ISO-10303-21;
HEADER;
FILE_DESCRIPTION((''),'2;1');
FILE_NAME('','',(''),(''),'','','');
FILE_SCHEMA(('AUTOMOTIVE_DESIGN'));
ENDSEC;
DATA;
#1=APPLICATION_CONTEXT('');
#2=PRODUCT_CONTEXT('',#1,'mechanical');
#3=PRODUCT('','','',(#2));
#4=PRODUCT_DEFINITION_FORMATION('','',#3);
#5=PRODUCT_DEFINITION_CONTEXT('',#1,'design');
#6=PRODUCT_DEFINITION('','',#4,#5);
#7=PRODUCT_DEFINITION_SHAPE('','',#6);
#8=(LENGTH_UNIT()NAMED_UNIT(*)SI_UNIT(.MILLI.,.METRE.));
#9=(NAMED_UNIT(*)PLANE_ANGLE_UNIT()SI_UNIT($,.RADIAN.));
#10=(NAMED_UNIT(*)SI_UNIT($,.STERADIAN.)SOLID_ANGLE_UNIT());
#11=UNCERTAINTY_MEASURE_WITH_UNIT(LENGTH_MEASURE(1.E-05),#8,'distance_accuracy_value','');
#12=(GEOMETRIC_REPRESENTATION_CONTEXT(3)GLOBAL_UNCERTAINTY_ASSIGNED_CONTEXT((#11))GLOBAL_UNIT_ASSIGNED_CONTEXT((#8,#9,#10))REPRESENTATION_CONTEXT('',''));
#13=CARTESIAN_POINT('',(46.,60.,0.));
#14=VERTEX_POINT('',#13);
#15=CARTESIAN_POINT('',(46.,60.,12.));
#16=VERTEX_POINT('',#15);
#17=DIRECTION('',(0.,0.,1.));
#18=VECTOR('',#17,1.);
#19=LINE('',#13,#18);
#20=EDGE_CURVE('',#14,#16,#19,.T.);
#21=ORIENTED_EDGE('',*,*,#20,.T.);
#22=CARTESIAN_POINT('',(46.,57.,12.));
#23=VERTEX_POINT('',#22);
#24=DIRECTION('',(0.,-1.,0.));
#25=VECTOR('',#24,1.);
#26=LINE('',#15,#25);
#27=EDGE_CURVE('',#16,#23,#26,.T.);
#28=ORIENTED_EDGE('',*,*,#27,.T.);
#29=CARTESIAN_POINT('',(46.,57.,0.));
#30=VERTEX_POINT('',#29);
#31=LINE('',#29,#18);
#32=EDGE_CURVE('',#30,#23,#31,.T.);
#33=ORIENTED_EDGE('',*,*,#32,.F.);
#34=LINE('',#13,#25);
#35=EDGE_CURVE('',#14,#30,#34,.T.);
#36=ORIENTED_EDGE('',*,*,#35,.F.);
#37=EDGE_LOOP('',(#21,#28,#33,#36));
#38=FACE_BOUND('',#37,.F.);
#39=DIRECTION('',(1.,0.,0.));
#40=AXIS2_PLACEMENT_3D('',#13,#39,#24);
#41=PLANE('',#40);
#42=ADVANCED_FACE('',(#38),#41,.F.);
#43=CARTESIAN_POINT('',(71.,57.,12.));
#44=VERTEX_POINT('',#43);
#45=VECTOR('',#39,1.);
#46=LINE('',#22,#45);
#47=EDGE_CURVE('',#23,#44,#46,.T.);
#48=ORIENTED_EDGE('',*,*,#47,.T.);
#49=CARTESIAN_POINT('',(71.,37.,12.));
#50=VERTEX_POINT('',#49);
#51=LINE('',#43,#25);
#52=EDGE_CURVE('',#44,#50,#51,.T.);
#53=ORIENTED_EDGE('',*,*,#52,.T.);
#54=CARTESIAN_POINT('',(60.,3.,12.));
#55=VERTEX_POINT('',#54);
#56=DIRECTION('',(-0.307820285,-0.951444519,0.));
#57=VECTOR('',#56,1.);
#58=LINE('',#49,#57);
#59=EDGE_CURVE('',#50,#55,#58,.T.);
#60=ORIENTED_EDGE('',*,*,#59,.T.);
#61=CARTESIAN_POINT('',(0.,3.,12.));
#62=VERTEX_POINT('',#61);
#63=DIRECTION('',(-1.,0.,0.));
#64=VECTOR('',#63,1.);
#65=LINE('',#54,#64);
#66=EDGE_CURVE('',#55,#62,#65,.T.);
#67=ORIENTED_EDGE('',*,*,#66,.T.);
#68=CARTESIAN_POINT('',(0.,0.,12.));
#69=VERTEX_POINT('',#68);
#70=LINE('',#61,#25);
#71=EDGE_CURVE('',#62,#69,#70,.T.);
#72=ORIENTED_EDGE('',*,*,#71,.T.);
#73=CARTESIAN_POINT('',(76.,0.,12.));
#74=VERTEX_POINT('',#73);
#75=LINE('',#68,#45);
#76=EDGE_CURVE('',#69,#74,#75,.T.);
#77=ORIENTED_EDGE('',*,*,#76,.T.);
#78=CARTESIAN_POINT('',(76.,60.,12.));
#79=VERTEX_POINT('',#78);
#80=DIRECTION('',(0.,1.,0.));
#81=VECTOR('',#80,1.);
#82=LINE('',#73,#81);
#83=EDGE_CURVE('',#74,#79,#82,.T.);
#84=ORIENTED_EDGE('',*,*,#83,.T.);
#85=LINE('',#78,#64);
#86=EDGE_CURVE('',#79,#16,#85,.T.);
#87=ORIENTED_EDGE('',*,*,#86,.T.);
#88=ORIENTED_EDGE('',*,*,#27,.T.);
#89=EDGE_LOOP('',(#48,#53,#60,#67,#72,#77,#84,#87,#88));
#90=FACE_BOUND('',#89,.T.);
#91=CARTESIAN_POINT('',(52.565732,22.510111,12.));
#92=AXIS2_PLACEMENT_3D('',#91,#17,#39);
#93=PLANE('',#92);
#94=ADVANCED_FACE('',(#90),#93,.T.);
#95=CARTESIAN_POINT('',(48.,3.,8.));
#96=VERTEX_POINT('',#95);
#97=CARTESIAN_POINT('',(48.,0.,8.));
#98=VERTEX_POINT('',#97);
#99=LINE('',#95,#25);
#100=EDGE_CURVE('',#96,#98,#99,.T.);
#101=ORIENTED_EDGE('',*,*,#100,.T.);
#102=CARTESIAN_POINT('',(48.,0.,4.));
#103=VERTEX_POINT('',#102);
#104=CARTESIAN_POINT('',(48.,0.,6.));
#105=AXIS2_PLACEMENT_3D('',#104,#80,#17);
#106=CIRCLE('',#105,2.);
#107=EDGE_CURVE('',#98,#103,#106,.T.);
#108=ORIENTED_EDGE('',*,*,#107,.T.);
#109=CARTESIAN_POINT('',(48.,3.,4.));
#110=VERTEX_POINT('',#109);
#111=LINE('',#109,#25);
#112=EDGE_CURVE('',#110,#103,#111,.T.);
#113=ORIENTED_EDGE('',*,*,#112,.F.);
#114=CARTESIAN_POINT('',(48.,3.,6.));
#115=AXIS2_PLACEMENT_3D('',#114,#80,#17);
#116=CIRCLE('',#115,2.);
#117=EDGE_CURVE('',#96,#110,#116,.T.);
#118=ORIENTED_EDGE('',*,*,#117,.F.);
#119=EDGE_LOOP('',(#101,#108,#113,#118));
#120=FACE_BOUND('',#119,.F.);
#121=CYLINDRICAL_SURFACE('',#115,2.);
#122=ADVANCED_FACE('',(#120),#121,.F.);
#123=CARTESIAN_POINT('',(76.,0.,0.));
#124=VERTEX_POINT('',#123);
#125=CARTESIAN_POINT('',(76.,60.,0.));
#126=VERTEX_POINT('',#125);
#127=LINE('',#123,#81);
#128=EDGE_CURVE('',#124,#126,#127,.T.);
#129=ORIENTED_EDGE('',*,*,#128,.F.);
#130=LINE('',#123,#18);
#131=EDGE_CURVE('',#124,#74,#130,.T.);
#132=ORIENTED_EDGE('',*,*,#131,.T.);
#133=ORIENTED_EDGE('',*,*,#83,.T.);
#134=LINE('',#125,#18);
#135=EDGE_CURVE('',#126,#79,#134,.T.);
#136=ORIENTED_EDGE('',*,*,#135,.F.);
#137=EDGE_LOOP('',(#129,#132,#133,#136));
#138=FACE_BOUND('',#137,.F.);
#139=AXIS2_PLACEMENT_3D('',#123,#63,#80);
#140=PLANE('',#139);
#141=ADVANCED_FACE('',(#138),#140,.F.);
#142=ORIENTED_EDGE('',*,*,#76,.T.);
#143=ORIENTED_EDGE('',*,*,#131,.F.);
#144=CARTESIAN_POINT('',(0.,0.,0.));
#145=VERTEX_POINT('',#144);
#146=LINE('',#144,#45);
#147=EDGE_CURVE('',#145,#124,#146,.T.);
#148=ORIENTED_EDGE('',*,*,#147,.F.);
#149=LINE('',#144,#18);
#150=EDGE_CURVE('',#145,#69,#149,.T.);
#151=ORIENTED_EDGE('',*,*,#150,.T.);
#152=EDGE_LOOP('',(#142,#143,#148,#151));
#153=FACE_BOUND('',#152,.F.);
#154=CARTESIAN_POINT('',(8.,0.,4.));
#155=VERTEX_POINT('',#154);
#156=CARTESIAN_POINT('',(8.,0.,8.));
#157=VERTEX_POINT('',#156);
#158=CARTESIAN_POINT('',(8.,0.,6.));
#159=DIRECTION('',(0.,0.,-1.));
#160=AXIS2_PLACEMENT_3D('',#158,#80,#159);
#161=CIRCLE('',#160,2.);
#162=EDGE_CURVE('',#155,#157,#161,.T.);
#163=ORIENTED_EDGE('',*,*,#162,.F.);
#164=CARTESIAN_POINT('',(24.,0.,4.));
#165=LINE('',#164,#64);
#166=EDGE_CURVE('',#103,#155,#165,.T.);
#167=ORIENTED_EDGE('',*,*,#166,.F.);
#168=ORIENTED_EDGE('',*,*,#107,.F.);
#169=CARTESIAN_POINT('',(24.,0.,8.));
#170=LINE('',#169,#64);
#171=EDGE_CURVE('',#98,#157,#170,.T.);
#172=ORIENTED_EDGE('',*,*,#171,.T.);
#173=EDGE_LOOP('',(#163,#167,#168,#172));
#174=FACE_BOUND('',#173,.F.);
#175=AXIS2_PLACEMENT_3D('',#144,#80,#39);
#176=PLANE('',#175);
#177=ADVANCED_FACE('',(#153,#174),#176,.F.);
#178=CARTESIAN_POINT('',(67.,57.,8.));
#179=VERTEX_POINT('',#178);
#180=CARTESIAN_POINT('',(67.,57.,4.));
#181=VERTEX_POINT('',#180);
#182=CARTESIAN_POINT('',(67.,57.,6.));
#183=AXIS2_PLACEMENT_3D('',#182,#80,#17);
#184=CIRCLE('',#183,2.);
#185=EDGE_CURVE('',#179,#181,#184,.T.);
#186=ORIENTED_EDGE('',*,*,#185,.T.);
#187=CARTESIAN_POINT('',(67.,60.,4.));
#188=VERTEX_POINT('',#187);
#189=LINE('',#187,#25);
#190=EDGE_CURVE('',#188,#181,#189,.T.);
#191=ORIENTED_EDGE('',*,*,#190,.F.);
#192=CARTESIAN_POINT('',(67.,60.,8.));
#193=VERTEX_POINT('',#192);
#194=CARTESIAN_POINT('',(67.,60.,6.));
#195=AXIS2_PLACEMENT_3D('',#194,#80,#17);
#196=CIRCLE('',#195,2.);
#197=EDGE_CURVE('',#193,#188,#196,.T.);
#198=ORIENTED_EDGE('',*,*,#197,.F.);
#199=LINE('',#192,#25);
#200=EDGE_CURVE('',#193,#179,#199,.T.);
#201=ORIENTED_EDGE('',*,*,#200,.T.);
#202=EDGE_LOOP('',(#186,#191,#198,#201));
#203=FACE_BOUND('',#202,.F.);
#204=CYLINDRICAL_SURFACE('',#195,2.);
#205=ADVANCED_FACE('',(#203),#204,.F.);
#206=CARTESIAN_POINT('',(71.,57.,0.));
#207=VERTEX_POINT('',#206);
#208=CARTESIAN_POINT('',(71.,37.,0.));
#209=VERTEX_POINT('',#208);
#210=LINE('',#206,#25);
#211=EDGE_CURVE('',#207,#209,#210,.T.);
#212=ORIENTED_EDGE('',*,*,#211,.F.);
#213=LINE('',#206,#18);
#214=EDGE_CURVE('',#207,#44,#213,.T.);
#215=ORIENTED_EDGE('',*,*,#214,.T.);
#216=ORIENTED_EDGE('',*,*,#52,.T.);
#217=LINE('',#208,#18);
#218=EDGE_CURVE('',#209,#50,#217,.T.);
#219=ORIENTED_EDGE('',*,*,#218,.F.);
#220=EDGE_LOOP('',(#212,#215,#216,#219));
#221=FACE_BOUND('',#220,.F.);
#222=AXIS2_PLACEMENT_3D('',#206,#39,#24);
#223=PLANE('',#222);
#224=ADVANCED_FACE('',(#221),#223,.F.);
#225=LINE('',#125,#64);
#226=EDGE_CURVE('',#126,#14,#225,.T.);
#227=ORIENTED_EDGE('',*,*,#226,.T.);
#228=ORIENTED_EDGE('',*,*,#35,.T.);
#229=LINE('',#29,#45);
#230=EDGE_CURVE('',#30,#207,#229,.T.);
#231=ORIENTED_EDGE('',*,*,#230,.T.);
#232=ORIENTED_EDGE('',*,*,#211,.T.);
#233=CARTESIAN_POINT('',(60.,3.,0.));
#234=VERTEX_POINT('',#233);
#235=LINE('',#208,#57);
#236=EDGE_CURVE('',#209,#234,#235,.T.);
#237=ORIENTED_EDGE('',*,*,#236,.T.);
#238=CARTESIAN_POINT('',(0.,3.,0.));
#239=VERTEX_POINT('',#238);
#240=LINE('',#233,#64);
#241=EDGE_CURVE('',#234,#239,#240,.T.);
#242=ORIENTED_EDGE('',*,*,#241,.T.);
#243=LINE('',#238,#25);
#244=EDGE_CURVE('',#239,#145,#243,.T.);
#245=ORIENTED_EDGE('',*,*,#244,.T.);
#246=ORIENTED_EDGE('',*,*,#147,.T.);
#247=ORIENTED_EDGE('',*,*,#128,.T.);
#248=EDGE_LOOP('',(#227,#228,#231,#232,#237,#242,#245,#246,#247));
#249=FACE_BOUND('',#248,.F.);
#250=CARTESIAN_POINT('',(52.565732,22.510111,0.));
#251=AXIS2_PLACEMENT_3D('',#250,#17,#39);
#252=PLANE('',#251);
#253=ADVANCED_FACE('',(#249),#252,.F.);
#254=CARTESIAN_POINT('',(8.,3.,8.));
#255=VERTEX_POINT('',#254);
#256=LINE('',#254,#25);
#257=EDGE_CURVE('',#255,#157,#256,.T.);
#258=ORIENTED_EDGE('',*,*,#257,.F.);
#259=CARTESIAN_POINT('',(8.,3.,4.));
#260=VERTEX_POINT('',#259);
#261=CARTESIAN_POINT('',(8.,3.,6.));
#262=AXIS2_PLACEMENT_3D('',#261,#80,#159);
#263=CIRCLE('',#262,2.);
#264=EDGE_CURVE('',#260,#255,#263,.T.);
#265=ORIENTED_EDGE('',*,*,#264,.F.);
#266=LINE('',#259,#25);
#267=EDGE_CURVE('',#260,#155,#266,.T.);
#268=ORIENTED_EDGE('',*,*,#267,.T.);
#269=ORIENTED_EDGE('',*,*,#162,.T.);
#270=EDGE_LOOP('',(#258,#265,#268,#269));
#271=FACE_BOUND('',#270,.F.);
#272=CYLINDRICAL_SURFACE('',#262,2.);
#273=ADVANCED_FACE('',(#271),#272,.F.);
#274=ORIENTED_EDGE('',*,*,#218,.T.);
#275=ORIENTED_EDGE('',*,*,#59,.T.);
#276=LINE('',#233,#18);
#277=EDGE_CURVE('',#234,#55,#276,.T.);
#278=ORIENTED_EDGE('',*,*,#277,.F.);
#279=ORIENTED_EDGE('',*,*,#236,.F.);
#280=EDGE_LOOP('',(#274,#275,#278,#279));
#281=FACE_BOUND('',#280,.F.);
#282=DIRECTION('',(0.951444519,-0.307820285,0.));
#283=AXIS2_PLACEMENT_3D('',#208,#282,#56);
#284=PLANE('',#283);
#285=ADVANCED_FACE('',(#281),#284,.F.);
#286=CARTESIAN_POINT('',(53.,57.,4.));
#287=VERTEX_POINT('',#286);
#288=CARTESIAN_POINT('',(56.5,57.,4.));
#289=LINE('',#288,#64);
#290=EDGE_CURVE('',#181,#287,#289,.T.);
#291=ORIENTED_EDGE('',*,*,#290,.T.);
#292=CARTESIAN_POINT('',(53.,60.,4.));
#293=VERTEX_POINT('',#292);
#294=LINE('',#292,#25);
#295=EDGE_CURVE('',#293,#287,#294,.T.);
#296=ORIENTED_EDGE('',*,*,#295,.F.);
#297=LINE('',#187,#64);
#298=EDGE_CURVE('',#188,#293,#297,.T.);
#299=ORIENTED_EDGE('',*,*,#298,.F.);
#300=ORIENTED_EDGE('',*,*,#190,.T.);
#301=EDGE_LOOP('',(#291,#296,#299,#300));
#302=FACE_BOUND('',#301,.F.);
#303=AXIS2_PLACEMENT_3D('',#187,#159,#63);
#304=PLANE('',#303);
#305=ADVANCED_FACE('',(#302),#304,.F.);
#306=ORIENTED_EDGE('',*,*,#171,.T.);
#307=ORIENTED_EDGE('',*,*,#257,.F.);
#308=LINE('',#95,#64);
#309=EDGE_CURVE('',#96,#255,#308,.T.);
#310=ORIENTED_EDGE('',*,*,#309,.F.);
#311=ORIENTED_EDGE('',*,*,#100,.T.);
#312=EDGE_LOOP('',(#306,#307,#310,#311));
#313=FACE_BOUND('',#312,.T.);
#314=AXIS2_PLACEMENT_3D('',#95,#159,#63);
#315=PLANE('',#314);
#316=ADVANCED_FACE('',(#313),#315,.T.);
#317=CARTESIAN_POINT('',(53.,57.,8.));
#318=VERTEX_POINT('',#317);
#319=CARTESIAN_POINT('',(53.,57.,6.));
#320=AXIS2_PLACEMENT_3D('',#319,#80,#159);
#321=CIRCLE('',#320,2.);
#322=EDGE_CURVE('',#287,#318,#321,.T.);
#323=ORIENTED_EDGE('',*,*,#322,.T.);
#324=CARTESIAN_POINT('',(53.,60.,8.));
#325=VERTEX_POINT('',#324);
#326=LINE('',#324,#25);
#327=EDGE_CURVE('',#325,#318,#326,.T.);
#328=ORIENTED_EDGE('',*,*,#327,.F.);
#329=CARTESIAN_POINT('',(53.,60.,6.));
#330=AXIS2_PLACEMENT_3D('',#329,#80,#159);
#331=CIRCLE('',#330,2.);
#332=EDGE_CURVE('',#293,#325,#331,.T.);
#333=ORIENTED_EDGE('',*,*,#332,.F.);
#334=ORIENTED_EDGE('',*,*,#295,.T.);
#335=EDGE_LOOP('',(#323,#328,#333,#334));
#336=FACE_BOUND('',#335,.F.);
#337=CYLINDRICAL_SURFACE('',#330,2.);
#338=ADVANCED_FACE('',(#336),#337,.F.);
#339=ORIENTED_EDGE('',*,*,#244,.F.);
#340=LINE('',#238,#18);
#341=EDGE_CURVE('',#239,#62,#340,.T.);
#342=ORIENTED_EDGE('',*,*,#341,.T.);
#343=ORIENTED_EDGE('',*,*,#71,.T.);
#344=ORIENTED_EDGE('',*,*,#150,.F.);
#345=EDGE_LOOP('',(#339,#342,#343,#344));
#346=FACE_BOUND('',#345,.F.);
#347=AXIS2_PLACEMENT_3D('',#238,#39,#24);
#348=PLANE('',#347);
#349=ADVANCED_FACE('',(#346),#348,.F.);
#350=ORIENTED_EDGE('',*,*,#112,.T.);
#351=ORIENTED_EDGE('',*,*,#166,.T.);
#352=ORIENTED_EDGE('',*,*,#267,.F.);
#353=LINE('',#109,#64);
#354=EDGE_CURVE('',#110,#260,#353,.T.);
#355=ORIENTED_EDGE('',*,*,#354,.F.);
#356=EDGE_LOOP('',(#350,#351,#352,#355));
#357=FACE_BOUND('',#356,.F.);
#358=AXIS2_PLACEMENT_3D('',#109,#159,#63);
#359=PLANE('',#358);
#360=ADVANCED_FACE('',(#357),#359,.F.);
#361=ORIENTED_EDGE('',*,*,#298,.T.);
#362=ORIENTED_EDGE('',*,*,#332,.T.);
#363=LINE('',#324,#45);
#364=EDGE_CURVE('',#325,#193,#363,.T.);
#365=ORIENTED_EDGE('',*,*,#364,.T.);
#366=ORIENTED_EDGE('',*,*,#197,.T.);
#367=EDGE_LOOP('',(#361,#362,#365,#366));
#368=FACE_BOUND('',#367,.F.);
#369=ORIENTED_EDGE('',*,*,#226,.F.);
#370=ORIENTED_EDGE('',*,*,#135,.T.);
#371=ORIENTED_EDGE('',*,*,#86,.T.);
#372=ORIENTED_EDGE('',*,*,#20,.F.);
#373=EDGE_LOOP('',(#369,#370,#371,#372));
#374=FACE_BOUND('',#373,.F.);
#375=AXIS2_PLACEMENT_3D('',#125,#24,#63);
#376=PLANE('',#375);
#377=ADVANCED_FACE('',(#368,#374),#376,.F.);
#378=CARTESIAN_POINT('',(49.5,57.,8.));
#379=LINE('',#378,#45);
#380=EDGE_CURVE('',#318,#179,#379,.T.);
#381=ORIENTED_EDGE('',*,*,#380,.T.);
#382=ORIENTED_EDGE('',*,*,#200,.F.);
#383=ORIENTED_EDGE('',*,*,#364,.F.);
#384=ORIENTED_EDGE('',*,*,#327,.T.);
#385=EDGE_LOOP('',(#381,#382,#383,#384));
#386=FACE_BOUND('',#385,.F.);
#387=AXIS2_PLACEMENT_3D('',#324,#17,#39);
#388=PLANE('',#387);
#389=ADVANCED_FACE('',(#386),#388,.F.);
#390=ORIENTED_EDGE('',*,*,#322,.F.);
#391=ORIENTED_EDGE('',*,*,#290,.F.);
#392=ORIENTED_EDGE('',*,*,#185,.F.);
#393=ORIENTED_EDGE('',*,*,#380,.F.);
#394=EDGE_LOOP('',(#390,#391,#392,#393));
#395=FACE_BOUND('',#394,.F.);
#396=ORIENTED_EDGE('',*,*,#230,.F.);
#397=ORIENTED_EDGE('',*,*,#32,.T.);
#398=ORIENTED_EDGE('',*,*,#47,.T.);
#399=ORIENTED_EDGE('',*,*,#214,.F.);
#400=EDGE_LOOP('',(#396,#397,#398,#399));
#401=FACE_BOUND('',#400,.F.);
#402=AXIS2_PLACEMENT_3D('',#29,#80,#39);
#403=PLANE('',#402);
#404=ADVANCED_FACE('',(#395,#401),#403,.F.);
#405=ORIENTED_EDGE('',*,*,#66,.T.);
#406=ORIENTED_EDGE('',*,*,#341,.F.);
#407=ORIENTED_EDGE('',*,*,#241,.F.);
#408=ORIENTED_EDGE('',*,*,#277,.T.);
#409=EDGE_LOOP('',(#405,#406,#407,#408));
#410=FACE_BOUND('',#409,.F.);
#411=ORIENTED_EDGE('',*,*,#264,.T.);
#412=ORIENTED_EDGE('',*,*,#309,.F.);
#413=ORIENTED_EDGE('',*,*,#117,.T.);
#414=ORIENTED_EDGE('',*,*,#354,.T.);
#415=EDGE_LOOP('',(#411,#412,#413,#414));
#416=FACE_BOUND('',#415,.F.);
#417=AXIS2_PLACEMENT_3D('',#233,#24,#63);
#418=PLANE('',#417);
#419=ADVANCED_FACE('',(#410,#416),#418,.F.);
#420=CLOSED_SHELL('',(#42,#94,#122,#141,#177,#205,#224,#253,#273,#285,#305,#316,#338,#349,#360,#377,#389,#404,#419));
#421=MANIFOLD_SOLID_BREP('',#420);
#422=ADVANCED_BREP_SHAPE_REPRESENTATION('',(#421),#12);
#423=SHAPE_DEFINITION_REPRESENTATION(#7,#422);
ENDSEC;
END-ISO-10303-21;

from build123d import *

# Parameters (mm, degrees)
PAD_DEPTH       = 12
POCKET_DEPTH    = 5
POCKET001_DEPTH = 5


with BuildPart() as part:
    # Sketch → Pad (new body)
    with BuildSketch(Plane.XY):
        Polygon((0, 0), (76, 0), (76, 60), (46, 60), (46, 57), (71, 57), (71, 37), (60, 3), (0, 3), align=None)
    extrude(amount=PAD_DEPTH)

    # Sketch001 (on Face3 of Pad) → Pocket (cut)
    with BuildSketch(Plane(origin=(0, 60, 0), x_dir=(-1, 0, 0), z_dir=(0, 1, 0))):
        with BuildLine():
            ThreePointArc((-67, 8), (-69, 6), (-67, 4))
            Line((-67, 4), (-53, 4))
            ThreePointArc((-53, 4), (-51, 6), (-53, 8))
            Line((-53, 8), (-67, 8))
        make_face()
    extrude(amount=-POCKET_DEPTH, mode=Mode.SUBTRACT)

    # Sketch002 (on Face6 of Pocket) → Pocket001 (cut)
    with BuildSketch(Plane(origin=(0, 3, 0), x_dir=(-1, 0, 0), z_dir=(0, 1, 0))):
        with BuildLine():
            ThreePointArc((-48, 8), (-50, 6), (-48, 4))
            Line((-48, 4), (-8, 4))
            ThreePointArc((-8, 4), (-6, 6), (-8, 8))
            Line((-48, 8), (-8, 8))
        make_face()
    extrude(amount=-POCKET001_DEPTH, mode=Mode.SUBTRACT)


solid = part.part
